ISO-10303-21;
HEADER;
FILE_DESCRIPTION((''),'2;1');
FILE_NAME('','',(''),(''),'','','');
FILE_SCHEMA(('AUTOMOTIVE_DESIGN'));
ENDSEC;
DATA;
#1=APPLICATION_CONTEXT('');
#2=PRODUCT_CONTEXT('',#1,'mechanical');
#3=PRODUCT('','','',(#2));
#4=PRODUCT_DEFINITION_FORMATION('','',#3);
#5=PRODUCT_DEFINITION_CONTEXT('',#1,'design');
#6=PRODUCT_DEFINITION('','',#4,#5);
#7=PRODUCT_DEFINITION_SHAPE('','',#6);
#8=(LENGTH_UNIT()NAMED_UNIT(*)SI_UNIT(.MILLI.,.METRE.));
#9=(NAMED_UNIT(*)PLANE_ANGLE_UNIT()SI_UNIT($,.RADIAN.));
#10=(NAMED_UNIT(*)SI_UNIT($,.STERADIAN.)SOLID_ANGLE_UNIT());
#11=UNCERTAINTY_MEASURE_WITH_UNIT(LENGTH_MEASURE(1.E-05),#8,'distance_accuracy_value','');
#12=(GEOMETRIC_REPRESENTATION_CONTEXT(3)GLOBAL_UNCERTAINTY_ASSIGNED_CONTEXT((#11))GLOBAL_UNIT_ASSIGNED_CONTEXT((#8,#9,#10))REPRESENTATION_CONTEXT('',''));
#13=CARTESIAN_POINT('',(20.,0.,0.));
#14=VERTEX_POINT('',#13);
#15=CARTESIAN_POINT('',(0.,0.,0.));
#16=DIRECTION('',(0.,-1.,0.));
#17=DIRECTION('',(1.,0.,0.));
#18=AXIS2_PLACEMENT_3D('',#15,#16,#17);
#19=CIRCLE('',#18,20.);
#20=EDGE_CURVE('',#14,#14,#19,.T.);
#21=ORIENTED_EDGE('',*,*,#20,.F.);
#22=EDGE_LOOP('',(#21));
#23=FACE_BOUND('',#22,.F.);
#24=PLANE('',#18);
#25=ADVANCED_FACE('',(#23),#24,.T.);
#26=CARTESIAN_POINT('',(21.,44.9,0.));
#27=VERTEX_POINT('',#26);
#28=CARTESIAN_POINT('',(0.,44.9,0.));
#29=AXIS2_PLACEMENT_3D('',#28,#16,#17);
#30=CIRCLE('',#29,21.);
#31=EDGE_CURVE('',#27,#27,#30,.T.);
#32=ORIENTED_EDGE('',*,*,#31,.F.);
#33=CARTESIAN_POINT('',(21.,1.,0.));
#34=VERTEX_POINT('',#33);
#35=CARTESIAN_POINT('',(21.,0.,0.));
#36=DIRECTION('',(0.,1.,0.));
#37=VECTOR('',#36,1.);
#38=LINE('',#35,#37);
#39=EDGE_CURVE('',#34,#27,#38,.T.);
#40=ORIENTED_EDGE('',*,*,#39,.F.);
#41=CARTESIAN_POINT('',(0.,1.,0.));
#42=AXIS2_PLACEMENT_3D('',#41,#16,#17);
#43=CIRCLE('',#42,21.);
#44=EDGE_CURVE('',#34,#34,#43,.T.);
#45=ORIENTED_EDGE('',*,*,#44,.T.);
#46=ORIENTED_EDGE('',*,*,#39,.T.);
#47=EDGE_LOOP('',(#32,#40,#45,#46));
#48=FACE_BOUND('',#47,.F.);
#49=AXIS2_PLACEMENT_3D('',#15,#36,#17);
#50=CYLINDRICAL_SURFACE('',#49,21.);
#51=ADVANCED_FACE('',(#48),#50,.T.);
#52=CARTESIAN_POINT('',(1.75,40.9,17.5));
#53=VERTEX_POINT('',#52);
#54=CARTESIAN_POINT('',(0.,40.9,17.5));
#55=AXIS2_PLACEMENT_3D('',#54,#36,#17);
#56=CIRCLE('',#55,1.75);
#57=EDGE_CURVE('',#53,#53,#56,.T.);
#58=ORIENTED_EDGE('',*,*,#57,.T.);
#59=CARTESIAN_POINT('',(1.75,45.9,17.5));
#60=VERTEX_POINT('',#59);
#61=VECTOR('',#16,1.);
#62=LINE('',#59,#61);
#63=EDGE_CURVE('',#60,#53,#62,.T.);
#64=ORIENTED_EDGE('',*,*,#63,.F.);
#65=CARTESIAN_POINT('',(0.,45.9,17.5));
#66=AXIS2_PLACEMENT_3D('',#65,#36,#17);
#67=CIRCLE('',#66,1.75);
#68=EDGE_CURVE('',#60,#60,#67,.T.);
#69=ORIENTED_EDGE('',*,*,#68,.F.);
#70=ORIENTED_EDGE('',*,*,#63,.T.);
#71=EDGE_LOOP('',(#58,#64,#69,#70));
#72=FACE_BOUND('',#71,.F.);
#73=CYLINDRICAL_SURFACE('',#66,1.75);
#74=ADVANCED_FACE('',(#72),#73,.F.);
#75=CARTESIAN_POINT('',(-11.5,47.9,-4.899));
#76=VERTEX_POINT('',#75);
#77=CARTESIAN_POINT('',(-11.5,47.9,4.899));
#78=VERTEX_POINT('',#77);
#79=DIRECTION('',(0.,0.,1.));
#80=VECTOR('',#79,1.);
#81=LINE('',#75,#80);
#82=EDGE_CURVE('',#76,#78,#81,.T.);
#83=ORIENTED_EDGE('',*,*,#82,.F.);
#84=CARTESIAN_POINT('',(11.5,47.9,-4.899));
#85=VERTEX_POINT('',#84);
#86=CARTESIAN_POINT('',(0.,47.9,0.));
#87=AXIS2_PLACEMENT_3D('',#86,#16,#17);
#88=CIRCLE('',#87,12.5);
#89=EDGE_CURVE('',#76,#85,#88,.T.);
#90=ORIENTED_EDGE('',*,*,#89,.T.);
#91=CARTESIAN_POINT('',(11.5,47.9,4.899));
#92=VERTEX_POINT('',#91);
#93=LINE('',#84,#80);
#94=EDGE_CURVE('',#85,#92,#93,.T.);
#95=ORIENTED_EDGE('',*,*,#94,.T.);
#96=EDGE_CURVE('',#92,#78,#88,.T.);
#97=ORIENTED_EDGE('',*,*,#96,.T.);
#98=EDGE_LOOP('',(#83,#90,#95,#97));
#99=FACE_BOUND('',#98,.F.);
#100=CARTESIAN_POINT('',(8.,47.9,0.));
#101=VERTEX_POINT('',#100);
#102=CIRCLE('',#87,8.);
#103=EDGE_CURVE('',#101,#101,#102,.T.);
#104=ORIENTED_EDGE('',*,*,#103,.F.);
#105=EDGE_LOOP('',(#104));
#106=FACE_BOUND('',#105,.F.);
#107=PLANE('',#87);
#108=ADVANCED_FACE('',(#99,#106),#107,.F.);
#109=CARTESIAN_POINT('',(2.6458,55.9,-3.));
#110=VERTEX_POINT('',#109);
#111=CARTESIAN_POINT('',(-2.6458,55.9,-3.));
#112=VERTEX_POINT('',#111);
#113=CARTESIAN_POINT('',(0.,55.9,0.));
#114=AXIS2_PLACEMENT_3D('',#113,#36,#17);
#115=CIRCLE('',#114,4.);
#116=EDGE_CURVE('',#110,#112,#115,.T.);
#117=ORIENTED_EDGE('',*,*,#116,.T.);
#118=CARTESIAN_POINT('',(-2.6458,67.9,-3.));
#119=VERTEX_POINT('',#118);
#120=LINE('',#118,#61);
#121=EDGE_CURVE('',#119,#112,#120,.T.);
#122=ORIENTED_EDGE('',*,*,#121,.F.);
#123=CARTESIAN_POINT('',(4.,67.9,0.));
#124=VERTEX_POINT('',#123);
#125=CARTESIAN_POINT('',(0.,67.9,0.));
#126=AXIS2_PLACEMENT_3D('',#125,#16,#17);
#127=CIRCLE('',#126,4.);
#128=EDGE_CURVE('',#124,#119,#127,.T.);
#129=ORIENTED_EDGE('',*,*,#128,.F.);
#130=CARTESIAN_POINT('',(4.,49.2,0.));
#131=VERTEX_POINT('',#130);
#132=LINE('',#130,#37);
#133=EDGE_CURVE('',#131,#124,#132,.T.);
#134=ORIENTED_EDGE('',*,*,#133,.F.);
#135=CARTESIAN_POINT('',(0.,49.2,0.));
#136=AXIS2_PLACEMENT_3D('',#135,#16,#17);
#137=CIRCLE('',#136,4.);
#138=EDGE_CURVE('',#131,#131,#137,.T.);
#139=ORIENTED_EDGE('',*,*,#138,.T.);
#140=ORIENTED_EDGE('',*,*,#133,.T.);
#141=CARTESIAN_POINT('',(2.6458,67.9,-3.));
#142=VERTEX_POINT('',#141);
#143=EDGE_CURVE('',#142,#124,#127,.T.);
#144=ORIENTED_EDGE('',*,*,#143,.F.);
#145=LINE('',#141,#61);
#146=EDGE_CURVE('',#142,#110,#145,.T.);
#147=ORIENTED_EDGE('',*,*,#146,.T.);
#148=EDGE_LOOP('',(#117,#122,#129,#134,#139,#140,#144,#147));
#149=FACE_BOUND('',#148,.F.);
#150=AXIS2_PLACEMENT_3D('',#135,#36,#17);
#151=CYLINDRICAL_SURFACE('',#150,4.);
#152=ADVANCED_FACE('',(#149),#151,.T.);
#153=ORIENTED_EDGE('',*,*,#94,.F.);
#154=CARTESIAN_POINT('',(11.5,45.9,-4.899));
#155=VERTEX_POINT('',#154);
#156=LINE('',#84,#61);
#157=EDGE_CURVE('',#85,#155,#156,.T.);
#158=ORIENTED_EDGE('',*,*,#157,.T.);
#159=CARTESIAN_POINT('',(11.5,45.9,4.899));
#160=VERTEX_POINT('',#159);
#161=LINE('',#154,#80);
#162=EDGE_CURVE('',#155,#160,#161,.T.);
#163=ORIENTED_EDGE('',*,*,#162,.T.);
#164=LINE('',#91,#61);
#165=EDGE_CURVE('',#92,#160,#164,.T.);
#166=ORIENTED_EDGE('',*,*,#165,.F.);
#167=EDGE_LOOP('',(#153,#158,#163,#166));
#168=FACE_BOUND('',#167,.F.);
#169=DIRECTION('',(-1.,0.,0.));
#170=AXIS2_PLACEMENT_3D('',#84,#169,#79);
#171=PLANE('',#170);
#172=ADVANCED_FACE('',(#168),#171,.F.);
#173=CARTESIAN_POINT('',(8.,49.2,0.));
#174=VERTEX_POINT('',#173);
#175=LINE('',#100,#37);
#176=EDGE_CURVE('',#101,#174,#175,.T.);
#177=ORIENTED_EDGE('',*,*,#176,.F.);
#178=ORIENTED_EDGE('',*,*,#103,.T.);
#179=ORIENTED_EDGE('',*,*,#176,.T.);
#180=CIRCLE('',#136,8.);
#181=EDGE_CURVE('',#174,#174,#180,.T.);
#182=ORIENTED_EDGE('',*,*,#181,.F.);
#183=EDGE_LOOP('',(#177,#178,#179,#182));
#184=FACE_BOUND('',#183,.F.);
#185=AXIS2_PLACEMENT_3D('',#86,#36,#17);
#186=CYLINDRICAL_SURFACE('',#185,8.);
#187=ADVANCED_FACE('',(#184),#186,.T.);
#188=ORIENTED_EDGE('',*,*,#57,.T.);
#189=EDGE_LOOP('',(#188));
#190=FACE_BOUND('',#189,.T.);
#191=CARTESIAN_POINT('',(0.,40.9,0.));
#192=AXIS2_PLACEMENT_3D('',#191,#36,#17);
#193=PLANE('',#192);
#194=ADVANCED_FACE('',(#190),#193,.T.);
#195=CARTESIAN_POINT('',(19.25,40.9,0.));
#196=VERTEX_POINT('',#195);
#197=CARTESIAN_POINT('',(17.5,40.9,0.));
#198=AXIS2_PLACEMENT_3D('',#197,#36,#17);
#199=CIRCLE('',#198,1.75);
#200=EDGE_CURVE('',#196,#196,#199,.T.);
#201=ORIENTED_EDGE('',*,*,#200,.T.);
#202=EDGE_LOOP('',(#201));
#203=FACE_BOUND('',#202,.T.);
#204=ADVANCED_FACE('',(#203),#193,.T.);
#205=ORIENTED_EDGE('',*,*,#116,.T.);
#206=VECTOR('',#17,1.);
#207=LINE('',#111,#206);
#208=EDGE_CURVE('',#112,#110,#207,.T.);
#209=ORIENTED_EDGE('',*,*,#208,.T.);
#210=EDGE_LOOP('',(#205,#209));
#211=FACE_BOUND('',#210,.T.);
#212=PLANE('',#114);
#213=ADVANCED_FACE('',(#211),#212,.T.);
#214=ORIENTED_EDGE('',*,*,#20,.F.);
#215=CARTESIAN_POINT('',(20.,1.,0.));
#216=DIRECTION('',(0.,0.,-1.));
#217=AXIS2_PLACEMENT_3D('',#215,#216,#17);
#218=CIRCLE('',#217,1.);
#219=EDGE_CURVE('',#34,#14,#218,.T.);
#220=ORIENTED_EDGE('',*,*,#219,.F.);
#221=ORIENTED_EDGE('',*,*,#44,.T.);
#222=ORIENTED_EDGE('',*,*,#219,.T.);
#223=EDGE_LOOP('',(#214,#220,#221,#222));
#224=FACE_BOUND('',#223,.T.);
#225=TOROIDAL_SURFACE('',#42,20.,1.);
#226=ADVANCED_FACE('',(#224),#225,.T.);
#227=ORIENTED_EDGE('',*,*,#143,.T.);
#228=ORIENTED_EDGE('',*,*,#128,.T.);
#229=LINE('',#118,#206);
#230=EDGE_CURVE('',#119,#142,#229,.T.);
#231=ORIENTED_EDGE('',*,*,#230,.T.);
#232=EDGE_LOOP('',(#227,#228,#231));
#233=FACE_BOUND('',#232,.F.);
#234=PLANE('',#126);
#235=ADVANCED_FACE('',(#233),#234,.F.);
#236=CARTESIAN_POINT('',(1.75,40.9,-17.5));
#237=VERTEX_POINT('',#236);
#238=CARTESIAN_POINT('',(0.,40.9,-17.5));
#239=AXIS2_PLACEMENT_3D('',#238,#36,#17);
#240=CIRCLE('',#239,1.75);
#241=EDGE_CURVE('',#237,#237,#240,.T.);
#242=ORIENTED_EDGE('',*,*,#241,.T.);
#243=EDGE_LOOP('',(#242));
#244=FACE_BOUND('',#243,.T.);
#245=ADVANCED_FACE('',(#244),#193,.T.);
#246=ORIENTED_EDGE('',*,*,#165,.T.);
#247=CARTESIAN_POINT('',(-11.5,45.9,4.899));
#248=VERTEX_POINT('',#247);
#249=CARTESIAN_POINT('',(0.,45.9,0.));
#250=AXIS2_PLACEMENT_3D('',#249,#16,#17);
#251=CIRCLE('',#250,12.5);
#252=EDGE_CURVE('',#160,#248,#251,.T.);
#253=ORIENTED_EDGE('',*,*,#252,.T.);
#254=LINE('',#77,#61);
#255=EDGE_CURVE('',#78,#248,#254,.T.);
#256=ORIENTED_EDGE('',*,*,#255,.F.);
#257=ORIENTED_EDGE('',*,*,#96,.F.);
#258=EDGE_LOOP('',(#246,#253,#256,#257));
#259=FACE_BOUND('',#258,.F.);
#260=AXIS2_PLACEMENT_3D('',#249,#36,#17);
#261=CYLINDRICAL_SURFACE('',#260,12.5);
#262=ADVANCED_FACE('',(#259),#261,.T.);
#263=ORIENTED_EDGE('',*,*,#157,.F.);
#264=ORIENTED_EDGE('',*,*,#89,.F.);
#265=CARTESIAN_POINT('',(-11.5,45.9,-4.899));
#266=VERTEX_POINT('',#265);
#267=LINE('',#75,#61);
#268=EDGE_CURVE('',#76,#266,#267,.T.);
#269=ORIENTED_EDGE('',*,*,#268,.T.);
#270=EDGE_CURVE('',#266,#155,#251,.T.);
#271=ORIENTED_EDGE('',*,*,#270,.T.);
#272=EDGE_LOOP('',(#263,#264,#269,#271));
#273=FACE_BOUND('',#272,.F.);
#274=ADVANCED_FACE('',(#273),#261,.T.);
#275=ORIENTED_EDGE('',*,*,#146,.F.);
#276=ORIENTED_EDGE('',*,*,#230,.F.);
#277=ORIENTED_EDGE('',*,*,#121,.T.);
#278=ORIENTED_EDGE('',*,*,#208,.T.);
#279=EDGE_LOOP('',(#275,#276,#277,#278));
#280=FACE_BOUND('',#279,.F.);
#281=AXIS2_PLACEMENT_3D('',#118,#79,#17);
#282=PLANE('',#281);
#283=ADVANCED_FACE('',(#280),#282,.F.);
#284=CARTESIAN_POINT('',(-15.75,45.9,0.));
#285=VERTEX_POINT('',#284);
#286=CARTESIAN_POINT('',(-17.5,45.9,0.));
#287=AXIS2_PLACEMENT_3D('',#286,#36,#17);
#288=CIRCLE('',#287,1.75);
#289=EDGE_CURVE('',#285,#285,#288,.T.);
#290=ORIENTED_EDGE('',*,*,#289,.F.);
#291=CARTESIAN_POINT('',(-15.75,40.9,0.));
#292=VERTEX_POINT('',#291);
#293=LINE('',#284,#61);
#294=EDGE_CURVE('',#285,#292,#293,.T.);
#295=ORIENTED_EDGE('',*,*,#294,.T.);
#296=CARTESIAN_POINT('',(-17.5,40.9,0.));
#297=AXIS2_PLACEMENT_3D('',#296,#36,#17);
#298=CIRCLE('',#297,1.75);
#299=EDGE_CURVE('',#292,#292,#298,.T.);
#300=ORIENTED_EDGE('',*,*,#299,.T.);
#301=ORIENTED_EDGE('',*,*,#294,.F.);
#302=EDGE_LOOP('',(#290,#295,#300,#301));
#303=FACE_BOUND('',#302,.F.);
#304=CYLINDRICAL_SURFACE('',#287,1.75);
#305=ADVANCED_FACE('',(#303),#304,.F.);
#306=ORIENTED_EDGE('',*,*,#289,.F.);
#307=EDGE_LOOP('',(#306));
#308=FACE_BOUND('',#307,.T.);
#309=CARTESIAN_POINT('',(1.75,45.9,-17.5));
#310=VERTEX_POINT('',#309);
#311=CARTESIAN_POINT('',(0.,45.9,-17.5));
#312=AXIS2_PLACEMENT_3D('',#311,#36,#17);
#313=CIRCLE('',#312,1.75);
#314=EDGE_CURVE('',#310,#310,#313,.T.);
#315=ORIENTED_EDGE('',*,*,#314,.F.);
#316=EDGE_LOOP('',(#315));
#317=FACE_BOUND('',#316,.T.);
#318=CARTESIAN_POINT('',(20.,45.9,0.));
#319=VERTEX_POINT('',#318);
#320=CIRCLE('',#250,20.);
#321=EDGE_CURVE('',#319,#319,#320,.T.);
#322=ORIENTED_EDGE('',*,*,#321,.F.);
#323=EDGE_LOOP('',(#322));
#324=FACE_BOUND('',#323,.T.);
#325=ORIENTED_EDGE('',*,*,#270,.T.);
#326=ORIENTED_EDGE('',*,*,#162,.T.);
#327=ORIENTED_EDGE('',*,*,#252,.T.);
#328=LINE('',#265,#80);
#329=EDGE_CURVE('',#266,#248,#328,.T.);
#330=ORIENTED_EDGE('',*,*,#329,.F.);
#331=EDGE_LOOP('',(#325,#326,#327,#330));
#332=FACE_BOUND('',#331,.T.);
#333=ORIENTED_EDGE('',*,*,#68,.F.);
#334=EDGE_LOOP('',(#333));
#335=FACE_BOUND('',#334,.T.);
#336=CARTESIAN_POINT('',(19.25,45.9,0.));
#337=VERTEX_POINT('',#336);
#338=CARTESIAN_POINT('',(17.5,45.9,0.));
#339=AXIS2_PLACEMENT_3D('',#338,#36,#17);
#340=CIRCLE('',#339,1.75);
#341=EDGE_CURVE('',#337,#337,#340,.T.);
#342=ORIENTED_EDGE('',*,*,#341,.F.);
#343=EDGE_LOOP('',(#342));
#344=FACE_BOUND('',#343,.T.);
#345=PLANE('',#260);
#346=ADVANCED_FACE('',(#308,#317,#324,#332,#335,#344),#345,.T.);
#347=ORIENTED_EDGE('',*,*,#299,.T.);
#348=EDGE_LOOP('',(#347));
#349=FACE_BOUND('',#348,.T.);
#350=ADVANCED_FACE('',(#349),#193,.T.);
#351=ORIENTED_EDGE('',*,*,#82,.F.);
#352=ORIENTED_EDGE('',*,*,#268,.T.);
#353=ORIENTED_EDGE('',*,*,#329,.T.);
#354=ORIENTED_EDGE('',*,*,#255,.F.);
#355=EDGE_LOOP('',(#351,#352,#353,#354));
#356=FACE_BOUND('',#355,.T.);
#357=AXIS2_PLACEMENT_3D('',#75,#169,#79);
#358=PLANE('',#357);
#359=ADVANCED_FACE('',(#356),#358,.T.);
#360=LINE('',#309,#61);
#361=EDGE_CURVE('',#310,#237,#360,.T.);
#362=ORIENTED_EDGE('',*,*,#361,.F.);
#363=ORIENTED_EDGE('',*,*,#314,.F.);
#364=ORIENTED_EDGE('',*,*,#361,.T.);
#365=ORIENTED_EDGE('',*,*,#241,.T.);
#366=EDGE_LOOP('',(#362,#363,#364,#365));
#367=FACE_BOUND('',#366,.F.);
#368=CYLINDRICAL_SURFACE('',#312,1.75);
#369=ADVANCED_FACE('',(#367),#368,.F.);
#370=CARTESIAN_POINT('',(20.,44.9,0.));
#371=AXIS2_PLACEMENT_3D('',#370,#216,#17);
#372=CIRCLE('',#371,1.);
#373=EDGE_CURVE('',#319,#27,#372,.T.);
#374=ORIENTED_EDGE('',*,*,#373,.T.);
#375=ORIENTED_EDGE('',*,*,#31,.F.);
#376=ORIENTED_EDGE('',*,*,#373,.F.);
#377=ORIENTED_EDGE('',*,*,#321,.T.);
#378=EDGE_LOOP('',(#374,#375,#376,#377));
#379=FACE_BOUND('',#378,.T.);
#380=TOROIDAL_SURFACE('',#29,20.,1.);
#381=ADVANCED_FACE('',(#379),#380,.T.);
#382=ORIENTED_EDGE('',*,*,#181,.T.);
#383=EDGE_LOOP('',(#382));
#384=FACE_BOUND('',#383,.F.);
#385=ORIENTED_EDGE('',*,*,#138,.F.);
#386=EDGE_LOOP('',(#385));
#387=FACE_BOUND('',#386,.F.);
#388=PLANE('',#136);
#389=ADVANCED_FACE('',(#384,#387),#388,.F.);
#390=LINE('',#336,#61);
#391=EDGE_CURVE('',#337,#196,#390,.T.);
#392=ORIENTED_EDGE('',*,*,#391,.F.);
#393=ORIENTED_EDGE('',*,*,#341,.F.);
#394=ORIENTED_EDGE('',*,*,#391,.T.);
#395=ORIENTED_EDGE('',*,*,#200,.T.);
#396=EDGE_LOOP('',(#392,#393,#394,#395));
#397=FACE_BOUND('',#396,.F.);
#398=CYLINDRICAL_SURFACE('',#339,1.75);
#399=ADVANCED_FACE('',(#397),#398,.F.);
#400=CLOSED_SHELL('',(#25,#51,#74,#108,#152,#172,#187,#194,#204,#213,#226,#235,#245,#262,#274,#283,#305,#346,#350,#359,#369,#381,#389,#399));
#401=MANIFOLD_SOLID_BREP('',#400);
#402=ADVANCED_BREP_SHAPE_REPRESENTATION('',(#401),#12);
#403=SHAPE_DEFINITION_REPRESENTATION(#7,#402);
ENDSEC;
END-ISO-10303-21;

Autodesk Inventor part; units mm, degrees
ref_plane "YZ Plane" through (0, 0, 0) normal (1, 0, 0) x (0, 1, 0)
ref_plane "XZ Plane" through (0, 0, 0) normal (0, 1, 0) x (-1, 0, 0)
ref_plane "XY Plane" through (0, 0, 0) normal (0, 0, 1) x (1, 0, 0)
sketch "スケッチ1" plane through (0, 0, 0) normal (0, 0, 1) x (1, 0, 0)
  line L0 (0, 0) -> (21, 0)
  line L1 (21, 0) -> (21, 45.9)
  line L2 (21, 45.9) -> (12.5, 45.9)
  line L3 (12.5, 45.9) -> (12.5, 47.9)
  line L4 (12.5, 47.9) -> (8, 47.9)
  line L5 (8, 47.9) -> (8, 49.2)
  line L6 (8, 49.2) -> (4, 49.2)
  line L7 (4, 49.2) -> (4, 67.9)
  line L8 (4, 67.9) -> (0, 67.9)
  line L9 (0, 67.9) -> (0, 0)
  dimension "d0" = 21
  dimension "d1" = 4
  dimension "d2" = 12.5
  dimension "d3" = 2
  dimension "d4" = 8
  dimension "d5" = 1.3
  dimension "d6" = 45.9
  dimension "d8" = 20
revolve "回転1" add sketch "スケッチ1" angle 360 about axis through (0, 67.9, 0) along (0, -1, 0)
sketch "スケッチ2" plane through (0, 67.9, 0) normal (0, 1, 0) x (1, 0, 0)
  line L0 (-2.6458, 3) -> (2.6458, 3)
  circle A0 centre (0, 0) radius 4 projected
  arc A1 (2.6458, 3) -> (-2.6458, 3) centre (0, 0) ccw
  dimension "d10" = 3
extrude "押し出し1" cut sketch "スケッチ2" against normal blind 12 contours A0 L0 picked at (0.5822, 3.4764)
sketch "スケッチ4" plane through (0, 47.9, 0) normal (0, 1, 0) x (1, 0, 0)
  line L0 (0, 0) -> (0, 29.0549) construction
  arc A0 (11.5, -4.899) -> (11.5, 4.899) centre (0, 0) ccw
  line L1 (11.5, 4.899) -> (11.5, -4.899)
  circle A1 centre (0, 0) radius 12.5 projected
  arc A2 (-11.5, 4.899) -> (-11.5, -4.899) centre (0, 0) ccw
  line L2 (-11.5, 4.899) -> (-11.5, -4.899)
  dimension "d13" = 11.5
extrude "押し出し2" cut sketch "スケッチ4" against normal blind 2 contours L1 A0 | A1 L2
fillet "フィレット1" radius 1 2 edges at (-21, 45.9, 0) (-21, 0, 0)
sketch "スケッチ5" plane through (0, 45.9, 0) normal (0, 1, 0) x (1, 0, 0)
  circle A0 centre (0, 0) radius 17.5 construction
  circle A1 centre (-17.5, 0) radius 1.75
  line L0 (0, 0) -> (-17.5, 0) construction
  circle A2 centre (0, -17.5) radius 1.75
  circle A3 centre (17.5, 0) radius 1.75
  circle A4 centre (0, 17.5) radius 1.75
  dimension "d18" = 35
  dimension "d17" = 3.5
  dimension "d21" = 360
extrude "押し出し3" cut sketch "スケッチ5" against normal blind 5
properties part number "IG42C-144"
